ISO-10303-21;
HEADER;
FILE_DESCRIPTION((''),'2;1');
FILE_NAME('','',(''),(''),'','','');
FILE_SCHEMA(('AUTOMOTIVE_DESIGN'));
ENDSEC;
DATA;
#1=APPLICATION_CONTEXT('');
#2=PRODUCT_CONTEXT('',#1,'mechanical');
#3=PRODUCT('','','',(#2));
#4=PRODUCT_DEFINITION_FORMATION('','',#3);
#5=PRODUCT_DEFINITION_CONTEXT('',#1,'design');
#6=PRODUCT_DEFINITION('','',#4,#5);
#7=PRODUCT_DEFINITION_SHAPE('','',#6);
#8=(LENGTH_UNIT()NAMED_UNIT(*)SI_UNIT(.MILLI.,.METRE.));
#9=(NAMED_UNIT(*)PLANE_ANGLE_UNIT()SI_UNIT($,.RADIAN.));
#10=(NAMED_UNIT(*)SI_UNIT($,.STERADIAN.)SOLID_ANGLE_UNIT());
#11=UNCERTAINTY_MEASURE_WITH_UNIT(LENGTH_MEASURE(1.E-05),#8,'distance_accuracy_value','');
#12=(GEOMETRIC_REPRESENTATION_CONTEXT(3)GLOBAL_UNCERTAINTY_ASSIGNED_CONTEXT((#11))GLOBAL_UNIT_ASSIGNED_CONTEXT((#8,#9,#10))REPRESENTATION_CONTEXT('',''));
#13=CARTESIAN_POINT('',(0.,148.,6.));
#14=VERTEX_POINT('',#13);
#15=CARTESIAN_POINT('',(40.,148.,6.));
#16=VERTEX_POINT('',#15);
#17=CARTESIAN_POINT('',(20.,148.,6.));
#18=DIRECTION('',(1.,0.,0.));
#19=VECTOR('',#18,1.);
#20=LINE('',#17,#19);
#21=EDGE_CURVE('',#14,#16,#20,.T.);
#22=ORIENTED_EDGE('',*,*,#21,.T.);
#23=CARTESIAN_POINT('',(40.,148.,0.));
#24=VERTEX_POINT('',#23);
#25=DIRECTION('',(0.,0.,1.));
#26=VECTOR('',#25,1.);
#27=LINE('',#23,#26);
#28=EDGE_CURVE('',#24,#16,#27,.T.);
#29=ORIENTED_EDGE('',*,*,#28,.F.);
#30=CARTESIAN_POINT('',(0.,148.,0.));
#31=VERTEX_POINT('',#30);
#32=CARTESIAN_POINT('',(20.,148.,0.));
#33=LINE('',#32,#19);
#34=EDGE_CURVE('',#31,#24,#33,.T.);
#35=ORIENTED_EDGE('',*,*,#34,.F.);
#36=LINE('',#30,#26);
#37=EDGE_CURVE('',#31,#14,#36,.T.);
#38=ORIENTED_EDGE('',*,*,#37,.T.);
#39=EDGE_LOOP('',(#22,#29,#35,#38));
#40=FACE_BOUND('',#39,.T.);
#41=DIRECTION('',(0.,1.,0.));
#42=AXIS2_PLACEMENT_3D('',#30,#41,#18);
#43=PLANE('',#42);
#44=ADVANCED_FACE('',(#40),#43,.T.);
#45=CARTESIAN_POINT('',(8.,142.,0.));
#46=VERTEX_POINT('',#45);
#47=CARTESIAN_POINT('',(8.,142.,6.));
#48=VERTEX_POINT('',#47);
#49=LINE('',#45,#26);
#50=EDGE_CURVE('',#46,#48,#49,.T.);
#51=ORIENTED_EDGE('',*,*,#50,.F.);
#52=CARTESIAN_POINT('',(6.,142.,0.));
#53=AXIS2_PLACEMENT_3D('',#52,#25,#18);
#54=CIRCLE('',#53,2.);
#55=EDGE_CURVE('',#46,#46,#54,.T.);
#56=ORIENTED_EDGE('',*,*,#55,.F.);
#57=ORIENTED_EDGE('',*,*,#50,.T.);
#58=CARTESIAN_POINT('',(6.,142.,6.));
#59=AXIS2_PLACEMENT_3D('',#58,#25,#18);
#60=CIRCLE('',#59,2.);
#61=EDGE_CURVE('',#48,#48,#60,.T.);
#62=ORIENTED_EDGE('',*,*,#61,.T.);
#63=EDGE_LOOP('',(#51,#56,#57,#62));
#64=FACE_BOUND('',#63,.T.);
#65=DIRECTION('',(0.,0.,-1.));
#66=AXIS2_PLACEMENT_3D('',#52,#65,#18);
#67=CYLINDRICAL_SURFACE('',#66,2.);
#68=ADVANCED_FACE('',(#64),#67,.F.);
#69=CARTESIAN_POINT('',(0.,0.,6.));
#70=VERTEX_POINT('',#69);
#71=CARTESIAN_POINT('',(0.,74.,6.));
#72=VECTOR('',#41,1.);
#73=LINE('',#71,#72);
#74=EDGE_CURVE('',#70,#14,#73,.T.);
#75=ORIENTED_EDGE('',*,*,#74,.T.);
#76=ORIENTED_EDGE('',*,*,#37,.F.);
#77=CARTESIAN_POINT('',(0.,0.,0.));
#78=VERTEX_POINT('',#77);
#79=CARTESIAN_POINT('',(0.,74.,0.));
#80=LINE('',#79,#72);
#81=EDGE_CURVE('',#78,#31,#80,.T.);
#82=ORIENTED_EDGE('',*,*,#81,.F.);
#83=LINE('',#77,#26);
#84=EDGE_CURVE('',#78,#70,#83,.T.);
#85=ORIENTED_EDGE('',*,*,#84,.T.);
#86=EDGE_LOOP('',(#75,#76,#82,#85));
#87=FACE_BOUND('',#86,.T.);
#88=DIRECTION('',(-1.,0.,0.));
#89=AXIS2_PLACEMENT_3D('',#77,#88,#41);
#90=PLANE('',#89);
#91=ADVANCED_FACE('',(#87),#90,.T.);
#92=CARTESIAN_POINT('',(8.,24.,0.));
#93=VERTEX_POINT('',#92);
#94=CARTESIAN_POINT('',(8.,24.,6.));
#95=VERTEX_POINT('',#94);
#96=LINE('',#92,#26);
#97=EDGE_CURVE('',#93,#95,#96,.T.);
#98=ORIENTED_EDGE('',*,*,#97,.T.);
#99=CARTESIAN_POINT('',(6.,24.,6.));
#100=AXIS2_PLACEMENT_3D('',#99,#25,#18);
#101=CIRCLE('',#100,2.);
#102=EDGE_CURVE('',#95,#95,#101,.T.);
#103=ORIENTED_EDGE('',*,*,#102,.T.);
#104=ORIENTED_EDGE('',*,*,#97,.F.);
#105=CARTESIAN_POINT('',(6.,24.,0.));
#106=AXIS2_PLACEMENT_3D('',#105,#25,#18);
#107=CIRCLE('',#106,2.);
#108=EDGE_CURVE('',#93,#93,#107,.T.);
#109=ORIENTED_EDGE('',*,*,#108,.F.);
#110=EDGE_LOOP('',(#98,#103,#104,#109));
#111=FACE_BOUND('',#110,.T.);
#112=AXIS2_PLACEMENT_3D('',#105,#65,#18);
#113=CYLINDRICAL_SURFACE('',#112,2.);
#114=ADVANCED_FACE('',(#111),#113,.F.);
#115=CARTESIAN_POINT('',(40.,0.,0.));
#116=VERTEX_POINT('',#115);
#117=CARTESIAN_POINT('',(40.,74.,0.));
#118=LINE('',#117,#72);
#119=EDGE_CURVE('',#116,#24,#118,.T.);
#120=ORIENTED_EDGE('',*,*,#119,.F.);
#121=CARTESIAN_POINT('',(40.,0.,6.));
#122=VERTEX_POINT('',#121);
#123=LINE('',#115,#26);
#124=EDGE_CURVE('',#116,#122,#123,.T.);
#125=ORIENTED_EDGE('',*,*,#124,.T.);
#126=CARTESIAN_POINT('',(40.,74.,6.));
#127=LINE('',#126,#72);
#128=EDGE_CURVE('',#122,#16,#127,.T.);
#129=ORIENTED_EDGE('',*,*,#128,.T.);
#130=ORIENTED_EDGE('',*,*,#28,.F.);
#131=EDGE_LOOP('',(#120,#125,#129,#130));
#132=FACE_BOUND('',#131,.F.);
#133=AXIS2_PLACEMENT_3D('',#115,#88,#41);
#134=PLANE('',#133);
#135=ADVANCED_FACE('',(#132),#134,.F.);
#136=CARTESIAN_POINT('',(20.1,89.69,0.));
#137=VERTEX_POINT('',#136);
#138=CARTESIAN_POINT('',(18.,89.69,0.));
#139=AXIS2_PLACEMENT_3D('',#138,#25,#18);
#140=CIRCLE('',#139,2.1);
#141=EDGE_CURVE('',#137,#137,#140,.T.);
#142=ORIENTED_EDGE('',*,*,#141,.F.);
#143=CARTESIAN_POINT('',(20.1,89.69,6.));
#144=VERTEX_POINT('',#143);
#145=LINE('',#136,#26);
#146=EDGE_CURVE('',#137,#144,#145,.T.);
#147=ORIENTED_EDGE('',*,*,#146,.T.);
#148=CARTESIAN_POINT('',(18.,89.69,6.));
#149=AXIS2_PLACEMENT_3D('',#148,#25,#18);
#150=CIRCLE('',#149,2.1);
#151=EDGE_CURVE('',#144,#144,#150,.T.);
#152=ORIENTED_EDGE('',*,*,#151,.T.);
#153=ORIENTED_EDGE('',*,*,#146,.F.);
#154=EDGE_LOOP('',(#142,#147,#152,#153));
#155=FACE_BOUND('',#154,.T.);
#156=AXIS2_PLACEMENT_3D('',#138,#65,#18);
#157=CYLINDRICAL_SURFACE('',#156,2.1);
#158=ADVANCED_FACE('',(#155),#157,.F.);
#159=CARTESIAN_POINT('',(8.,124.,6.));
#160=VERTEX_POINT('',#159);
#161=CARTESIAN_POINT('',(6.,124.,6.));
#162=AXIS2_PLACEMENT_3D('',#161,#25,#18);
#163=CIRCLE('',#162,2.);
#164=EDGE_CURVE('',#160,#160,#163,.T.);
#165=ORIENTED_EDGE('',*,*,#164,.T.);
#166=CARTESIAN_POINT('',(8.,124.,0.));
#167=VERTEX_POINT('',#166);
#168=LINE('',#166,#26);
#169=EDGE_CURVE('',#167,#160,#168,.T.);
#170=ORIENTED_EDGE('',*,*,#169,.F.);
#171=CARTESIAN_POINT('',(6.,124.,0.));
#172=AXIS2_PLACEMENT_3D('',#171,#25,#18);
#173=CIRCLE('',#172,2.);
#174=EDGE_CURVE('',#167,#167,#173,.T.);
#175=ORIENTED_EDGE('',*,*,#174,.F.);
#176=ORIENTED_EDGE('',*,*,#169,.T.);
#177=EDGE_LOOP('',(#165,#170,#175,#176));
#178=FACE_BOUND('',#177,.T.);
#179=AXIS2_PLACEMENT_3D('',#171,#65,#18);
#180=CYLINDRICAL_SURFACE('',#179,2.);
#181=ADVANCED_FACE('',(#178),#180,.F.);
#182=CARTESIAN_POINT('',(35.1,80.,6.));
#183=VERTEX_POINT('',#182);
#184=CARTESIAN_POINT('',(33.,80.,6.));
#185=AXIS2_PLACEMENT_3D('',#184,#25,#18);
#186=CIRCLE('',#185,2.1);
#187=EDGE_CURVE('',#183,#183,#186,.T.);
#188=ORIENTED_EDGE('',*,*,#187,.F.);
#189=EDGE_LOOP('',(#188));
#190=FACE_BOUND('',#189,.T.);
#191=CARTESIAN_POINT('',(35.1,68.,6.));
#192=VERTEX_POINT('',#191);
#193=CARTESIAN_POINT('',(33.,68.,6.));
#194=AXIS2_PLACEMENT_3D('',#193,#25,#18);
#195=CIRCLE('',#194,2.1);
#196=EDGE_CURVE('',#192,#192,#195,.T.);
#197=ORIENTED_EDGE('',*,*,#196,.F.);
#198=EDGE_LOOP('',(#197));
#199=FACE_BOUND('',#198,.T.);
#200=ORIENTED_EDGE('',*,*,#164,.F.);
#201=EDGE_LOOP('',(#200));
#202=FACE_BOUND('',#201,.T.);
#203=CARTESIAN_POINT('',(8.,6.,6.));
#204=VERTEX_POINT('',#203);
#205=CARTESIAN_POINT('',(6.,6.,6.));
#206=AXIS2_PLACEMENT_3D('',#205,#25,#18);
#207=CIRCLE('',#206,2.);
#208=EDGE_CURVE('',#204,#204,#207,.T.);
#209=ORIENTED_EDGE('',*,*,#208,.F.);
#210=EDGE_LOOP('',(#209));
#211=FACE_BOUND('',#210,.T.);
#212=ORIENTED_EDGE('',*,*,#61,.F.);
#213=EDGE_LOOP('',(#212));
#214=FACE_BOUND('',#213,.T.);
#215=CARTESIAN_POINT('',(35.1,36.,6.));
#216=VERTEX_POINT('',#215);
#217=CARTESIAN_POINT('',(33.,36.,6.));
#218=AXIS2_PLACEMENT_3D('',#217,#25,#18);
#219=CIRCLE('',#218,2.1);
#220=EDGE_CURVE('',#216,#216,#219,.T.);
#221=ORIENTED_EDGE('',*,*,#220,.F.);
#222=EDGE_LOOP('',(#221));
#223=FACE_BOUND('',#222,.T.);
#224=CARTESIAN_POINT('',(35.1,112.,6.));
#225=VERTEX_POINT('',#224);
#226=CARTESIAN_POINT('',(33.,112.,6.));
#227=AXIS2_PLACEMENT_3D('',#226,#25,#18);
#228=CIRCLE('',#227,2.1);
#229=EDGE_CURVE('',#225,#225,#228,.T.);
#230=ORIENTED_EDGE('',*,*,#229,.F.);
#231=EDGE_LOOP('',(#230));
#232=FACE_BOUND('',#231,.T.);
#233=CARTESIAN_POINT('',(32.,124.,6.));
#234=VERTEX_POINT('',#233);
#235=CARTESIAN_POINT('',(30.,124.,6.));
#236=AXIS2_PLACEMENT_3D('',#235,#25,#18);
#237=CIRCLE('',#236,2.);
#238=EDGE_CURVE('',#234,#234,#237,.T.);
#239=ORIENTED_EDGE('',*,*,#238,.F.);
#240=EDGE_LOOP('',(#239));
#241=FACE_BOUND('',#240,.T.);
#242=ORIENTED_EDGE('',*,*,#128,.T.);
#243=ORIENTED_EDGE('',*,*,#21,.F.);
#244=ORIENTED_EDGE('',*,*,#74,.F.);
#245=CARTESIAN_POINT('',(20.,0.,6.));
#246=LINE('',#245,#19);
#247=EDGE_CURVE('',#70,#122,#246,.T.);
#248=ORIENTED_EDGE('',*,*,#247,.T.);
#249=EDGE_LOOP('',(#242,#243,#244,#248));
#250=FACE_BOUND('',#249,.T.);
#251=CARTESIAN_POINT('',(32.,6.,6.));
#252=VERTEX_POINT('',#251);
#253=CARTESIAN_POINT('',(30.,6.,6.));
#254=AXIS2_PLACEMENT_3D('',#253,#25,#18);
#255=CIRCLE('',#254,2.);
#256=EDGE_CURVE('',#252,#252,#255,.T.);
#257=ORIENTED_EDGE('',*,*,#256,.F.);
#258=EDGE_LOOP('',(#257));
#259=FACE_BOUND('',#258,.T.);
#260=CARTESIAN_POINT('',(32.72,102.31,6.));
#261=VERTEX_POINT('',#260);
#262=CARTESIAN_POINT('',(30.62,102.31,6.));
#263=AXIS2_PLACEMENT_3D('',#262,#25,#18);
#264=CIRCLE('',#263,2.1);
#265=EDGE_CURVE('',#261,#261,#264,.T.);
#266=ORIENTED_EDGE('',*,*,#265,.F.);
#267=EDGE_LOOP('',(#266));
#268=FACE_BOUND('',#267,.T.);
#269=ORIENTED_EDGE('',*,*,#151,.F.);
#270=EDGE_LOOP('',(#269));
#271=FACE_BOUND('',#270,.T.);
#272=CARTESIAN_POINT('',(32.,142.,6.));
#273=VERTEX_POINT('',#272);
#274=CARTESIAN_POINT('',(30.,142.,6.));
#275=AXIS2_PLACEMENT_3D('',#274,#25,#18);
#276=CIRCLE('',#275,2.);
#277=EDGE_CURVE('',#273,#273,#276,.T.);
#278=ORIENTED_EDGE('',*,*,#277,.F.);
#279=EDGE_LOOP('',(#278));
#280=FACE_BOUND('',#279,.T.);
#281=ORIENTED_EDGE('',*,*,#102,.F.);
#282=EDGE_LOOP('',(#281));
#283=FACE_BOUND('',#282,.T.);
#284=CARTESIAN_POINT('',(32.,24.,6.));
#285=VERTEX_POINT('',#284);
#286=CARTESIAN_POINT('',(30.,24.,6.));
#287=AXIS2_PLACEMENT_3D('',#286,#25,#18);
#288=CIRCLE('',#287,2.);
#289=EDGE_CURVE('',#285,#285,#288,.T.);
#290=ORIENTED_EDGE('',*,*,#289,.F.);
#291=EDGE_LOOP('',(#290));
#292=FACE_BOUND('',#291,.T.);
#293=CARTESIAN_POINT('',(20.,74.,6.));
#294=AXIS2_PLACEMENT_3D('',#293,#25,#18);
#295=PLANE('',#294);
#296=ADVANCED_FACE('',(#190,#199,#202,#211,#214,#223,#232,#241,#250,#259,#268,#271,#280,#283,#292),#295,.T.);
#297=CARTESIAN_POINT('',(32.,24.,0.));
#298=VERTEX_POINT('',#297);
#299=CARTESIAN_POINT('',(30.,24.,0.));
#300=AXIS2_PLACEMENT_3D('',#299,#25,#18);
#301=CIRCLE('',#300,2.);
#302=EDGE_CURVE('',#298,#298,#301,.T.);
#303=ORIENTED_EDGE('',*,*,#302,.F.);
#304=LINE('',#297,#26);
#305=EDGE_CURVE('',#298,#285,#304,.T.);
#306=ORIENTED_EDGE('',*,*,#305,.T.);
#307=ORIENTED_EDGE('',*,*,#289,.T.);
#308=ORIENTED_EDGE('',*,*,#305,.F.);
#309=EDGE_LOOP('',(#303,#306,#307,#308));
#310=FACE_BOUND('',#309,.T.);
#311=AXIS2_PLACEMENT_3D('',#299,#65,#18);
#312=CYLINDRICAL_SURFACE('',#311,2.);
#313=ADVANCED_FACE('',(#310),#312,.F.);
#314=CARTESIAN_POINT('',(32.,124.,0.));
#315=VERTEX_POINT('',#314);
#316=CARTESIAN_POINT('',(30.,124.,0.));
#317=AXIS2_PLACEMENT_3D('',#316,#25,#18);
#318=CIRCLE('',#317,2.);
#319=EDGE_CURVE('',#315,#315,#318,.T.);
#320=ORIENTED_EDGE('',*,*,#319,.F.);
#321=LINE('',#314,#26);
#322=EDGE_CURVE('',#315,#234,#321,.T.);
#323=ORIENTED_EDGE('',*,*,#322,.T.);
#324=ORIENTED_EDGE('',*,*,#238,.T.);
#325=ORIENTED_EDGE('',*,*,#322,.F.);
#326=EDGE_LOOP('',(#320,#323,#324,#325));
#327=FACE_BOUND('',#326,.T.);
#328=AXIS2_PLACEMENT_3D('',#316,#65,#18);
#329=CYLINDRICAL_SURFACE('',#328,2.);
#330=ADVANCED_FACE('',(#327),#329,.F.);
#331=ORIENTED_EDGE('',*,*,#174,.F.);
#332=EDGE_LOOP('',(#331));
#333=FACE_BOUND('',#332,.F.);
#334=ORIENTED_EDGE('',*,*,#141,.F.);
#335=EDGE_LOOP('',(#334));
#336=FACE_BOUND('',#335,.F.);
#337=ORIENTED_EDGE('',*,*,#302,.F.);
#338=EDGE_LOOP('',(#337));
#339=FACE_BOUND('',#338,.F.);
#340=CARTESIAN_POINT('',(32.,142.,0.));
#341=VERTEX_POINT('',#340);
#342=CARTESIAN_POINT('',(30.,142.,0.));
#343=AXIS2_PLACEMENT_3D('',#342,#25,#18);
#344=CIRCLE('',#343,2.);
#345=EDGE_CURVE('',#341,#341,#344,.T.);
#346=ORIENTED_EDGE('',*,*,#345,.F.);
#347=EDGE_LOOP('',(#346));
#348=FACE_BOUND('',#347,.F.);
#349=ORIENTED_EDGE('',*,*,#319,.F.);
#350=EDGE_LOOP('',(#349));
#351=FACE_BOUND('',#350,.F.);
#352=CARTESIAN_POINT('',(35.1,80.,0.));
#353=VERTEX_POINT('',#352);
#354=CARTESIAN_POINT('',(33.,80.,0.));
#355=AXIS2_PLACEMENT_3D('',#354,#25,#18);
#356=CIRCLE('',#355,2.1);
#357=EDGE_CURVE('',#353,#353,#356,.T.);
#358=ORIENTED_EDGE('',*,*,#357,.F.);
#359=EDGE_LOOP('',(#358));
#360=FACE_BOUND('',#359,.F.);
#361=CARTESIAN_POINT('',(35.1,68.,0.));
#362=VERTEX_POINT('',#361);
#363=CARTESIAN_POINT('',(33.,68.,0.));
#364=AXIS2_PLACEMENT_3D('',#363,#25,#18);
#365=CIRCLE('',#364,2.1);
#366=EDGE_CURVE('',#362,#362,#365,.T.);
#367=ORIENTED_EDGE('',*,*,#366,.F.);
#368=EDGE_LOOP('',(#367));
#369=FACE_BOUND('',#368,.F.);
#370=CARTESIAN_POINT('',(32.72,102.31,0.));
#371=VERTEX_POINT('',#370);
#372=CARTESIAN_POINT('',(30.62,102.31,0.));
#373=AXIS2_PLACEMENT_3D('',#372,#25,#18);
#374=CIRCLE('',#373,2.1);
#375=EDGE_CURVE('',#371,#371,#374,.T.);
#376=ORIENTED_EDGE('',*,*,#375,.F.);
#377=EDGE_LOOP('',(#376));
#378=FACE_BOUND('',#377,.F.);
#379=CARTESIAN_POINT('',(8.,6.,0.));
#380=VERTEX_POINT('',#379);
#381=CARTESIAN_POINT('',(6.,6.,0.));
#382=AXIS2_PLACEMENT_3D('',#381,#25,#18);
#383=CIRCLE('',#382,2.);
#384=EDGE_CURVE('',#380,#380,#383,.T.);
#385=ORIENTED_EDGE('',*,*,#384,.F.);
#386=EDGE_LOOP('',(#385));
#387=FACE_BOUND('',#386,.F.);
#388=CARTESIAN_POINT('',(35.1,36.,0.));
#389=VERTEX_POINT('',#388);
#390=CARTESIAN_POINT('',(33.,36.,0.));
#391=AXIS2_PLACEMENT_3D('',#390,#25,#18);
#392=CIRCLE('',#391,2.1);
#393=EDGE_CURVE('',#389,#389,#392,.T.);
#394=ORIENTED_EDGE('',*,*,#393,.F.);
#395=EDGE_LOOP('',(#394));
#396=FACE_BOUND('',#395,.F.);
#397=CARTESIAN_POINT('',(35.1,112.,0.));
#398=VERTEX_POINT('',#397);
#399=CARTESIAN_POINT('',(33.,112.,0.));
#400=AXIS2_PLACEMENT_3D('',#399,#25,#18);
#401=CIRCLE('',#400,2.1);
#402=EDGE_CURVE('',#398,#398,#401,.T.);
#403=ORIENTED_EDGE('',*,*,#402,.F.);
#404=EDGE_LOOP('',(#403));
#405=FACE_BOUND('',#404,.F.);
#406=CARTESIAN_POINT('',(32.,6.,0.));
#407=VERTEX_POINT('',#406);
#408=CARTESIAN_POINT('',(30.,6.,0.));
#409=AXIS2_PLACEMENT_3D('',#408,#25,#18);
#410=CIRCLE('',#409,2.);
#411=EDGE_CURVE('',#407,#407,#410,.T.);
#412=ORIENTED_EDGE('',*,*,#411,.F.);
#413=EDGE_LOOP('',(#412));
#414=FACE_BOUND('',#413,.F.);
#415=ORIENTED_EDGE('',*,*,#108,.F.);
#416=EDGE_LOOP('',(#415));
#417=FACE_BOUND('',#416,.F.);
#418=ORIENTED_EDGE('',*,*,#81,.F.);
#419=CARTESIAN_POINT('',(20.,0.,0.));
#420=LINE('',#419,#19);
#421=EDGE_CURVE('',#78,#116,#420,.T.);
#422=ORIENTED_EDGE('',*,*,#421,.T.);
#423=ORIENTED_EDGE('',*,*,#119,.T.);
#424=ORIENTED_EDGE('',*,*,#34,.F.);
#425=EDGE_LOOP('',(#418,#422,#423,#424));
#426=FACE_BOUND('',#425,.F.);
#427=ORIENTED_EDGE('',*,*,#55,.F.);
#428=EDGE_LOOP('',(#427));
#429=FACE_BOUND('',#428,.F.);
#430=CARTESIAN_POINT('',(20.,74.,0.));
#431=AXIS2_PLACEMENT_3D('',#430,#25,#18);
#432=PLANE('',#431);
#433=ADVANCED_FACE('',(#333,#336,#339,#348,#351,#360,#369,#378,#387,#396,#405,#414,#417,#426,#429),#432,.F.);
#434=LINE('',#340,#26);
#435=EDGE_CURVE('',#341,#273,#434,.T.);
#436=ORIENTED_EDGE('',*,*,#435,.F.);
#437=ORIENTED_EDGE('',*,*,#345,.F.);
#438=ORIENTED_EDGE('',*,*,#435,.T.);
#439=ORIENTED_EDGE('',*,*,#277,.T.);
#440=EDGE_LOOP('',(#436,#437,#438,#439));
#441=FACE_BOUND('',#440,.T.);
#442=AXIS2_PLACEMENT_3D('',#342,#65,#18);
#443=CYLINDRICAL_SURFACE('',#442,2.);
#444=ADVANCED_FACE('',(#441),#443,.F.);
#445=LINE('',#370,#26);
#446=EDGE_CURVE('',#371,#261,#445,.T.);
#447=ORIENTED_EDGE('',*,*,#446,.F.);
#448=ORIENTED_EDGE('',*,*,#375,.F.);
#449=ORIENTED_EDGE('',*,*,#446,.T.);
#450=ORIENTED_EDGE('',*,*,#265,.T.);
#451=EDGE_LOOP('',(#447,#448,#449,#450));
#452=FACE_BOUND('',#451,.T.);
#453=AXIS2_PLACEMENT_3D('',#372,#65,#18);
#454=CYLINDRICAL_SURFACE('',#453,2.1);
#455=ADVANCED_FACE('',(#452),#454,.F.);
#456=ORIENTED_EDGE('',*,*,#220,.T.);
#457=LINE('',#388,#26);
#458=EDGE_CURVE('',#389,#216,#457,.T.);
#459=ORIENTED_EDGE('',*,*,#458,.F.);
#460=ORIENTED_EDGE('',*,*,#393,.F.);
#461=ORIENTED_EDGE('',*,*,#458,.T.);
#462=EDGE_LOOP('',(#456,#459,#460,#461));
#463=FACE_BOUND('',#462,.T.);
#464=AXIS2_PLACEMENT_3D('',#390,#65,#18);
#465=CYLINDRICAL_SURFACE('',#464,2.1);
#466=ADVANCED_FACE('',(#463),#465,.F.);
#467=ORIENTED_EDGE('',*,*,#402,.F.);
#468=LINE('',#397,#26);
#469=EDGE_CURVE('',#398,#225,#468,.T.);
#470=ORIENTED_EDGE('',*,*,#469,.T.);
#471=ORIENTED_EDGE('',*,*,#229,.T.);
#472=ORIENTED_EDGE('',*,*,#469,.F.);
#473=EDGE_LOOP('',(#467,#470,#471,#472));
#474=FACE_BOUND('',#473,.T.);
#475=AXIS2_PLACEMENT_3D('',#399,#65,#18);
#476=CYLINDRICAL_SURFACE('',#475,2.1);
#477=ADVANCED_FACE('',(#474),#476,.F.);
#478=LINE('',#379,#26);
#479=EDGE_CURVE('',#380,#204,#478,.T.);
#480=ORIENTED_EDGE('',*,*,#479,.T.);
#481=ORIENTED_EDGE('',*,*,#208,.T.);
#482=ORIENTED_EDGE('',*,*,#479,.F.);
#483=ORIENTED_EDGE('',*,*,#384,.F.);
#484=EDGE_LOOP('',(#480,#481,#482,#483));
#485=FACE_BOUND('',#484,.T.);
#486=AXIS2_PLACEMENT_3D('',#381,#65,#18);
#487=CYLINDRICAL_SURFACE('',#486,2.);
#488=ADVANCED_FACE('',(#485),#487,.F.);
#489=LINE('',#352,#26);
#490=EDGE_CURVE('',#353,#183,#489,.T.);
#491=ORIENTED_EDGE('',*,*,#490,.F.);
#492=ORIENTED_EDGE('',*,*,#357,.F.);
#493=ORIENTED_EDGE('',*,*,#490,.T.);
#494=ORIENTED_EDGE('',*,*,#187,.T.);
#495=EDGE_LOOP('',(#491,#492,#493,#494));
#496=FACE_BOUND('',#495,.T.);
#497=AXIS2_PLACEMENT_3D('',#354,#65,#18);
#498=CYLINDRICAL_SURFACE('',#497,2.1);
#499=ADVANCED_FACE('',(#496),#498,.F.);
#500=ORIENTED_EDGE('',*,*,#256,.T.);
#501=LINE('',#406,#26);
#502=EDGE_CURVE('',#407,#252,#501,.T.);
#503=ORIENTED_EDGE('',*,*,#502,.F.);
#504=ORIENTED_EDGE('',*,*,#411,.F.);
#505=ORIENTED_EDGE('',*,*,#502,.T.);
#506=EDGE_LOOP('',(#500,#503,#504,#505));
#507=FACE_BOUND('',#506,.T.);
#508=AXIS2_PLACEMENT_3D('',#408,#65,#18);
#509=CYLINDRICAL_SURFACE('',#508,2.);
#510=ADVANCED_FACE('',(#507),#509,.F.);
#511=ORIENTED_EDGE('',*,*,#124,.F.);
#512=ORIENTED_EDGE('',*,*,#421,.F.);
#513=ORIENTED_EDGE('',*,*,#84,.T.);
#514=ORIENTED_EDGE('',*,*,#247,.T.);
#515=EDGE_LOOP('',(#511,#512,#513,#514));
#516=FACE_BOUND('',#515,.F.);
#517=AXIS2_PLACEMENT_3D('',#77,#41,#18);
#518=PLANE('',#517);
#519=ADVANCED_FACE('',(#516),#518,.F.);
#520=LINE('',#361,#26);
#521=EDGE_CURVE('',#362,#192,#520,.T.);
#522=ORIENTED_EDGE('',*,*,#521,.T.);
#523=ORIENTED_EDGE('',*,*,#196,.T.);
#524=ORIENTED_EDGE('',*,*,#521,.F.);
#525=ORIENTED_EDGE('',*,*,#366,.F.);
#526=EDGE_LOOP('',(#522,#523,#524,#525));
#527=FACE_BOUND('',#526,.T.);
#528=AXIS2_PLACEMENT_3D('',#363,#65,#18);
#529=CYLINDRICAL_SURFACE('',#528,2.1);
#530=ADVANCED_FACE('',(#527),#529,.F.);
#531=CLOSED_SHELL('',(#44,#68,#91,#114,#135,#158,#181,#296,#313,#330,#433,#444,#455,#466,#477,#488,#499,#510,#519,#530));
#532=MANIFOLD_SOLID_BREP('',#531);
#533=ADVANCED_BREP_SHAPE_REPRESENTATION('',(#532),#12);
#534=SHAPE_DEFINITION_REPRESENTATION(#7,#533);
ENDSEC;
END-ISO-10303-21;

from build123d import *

# Parameters (mm, degrees)
F0_W     = 40
F0_H     = 148
F0_R     = 2
F0_R_2   = 2.1
F1_DEPTH = 6


with BuildPart() as f1:
    # F0 (on Top) → F1 (new body)
    with BuildSketch(Plane.XY):
        with Locations((20, 74)):
            Rectangle(F0_W, F0_H)
        with Locations((6, 6)):
            Circle(F0_R, mode=Mode.SUBTRACT)
        with Locations((6, 24)):
            Circle(F0_R, mode=Mode.SUBTRACT)
        with Locations((30, 6)):
            Circle(F0_R, mode=Mode.SUBTRACT)
        with Locations((30, 24)):
            Circle(F0_R, mode=Mode.SUBTRACT)
        with Locations((33, 36)):
            Circle(F0_R_2, mode=Mode.SUBTRACT)
        with Locations((33, 68)):
            Circle(F0_R_2, mode=Mode.SUBTRACT)
        with Locations((18, 89.69)):
            Circle(F0_R_2, mode=Mode.SUBTRACT)
        with Locations((6, 124)):
            Circle(F0_R, mode=Mode.SUBTRACT)
        with Locations((6, 142)):
            Circle(F0_R, mode=Mode.SUBTRACT)
        with Locations((33, 80)):
            Circle(F0_R_2, mode=Mode.SUBTRACT)
        with Locations((30.62, 102.31)):
            Circle(F0_R_2, mode=Mode.SUBTRACT)
        with Locations((33, 112)):
            Circle(F0_R_2, mode=Mode.SUBTRACT)
        with Locations((30, 124)):
            Circle(F0_R, mode=Mode.SUBTRACT)
        with Locations((30, 142)):
            Circle(F0_R, mode=Mode.SUBTRACT)
    extrude(amount=F1_DEPTH)


solid = f1.part
